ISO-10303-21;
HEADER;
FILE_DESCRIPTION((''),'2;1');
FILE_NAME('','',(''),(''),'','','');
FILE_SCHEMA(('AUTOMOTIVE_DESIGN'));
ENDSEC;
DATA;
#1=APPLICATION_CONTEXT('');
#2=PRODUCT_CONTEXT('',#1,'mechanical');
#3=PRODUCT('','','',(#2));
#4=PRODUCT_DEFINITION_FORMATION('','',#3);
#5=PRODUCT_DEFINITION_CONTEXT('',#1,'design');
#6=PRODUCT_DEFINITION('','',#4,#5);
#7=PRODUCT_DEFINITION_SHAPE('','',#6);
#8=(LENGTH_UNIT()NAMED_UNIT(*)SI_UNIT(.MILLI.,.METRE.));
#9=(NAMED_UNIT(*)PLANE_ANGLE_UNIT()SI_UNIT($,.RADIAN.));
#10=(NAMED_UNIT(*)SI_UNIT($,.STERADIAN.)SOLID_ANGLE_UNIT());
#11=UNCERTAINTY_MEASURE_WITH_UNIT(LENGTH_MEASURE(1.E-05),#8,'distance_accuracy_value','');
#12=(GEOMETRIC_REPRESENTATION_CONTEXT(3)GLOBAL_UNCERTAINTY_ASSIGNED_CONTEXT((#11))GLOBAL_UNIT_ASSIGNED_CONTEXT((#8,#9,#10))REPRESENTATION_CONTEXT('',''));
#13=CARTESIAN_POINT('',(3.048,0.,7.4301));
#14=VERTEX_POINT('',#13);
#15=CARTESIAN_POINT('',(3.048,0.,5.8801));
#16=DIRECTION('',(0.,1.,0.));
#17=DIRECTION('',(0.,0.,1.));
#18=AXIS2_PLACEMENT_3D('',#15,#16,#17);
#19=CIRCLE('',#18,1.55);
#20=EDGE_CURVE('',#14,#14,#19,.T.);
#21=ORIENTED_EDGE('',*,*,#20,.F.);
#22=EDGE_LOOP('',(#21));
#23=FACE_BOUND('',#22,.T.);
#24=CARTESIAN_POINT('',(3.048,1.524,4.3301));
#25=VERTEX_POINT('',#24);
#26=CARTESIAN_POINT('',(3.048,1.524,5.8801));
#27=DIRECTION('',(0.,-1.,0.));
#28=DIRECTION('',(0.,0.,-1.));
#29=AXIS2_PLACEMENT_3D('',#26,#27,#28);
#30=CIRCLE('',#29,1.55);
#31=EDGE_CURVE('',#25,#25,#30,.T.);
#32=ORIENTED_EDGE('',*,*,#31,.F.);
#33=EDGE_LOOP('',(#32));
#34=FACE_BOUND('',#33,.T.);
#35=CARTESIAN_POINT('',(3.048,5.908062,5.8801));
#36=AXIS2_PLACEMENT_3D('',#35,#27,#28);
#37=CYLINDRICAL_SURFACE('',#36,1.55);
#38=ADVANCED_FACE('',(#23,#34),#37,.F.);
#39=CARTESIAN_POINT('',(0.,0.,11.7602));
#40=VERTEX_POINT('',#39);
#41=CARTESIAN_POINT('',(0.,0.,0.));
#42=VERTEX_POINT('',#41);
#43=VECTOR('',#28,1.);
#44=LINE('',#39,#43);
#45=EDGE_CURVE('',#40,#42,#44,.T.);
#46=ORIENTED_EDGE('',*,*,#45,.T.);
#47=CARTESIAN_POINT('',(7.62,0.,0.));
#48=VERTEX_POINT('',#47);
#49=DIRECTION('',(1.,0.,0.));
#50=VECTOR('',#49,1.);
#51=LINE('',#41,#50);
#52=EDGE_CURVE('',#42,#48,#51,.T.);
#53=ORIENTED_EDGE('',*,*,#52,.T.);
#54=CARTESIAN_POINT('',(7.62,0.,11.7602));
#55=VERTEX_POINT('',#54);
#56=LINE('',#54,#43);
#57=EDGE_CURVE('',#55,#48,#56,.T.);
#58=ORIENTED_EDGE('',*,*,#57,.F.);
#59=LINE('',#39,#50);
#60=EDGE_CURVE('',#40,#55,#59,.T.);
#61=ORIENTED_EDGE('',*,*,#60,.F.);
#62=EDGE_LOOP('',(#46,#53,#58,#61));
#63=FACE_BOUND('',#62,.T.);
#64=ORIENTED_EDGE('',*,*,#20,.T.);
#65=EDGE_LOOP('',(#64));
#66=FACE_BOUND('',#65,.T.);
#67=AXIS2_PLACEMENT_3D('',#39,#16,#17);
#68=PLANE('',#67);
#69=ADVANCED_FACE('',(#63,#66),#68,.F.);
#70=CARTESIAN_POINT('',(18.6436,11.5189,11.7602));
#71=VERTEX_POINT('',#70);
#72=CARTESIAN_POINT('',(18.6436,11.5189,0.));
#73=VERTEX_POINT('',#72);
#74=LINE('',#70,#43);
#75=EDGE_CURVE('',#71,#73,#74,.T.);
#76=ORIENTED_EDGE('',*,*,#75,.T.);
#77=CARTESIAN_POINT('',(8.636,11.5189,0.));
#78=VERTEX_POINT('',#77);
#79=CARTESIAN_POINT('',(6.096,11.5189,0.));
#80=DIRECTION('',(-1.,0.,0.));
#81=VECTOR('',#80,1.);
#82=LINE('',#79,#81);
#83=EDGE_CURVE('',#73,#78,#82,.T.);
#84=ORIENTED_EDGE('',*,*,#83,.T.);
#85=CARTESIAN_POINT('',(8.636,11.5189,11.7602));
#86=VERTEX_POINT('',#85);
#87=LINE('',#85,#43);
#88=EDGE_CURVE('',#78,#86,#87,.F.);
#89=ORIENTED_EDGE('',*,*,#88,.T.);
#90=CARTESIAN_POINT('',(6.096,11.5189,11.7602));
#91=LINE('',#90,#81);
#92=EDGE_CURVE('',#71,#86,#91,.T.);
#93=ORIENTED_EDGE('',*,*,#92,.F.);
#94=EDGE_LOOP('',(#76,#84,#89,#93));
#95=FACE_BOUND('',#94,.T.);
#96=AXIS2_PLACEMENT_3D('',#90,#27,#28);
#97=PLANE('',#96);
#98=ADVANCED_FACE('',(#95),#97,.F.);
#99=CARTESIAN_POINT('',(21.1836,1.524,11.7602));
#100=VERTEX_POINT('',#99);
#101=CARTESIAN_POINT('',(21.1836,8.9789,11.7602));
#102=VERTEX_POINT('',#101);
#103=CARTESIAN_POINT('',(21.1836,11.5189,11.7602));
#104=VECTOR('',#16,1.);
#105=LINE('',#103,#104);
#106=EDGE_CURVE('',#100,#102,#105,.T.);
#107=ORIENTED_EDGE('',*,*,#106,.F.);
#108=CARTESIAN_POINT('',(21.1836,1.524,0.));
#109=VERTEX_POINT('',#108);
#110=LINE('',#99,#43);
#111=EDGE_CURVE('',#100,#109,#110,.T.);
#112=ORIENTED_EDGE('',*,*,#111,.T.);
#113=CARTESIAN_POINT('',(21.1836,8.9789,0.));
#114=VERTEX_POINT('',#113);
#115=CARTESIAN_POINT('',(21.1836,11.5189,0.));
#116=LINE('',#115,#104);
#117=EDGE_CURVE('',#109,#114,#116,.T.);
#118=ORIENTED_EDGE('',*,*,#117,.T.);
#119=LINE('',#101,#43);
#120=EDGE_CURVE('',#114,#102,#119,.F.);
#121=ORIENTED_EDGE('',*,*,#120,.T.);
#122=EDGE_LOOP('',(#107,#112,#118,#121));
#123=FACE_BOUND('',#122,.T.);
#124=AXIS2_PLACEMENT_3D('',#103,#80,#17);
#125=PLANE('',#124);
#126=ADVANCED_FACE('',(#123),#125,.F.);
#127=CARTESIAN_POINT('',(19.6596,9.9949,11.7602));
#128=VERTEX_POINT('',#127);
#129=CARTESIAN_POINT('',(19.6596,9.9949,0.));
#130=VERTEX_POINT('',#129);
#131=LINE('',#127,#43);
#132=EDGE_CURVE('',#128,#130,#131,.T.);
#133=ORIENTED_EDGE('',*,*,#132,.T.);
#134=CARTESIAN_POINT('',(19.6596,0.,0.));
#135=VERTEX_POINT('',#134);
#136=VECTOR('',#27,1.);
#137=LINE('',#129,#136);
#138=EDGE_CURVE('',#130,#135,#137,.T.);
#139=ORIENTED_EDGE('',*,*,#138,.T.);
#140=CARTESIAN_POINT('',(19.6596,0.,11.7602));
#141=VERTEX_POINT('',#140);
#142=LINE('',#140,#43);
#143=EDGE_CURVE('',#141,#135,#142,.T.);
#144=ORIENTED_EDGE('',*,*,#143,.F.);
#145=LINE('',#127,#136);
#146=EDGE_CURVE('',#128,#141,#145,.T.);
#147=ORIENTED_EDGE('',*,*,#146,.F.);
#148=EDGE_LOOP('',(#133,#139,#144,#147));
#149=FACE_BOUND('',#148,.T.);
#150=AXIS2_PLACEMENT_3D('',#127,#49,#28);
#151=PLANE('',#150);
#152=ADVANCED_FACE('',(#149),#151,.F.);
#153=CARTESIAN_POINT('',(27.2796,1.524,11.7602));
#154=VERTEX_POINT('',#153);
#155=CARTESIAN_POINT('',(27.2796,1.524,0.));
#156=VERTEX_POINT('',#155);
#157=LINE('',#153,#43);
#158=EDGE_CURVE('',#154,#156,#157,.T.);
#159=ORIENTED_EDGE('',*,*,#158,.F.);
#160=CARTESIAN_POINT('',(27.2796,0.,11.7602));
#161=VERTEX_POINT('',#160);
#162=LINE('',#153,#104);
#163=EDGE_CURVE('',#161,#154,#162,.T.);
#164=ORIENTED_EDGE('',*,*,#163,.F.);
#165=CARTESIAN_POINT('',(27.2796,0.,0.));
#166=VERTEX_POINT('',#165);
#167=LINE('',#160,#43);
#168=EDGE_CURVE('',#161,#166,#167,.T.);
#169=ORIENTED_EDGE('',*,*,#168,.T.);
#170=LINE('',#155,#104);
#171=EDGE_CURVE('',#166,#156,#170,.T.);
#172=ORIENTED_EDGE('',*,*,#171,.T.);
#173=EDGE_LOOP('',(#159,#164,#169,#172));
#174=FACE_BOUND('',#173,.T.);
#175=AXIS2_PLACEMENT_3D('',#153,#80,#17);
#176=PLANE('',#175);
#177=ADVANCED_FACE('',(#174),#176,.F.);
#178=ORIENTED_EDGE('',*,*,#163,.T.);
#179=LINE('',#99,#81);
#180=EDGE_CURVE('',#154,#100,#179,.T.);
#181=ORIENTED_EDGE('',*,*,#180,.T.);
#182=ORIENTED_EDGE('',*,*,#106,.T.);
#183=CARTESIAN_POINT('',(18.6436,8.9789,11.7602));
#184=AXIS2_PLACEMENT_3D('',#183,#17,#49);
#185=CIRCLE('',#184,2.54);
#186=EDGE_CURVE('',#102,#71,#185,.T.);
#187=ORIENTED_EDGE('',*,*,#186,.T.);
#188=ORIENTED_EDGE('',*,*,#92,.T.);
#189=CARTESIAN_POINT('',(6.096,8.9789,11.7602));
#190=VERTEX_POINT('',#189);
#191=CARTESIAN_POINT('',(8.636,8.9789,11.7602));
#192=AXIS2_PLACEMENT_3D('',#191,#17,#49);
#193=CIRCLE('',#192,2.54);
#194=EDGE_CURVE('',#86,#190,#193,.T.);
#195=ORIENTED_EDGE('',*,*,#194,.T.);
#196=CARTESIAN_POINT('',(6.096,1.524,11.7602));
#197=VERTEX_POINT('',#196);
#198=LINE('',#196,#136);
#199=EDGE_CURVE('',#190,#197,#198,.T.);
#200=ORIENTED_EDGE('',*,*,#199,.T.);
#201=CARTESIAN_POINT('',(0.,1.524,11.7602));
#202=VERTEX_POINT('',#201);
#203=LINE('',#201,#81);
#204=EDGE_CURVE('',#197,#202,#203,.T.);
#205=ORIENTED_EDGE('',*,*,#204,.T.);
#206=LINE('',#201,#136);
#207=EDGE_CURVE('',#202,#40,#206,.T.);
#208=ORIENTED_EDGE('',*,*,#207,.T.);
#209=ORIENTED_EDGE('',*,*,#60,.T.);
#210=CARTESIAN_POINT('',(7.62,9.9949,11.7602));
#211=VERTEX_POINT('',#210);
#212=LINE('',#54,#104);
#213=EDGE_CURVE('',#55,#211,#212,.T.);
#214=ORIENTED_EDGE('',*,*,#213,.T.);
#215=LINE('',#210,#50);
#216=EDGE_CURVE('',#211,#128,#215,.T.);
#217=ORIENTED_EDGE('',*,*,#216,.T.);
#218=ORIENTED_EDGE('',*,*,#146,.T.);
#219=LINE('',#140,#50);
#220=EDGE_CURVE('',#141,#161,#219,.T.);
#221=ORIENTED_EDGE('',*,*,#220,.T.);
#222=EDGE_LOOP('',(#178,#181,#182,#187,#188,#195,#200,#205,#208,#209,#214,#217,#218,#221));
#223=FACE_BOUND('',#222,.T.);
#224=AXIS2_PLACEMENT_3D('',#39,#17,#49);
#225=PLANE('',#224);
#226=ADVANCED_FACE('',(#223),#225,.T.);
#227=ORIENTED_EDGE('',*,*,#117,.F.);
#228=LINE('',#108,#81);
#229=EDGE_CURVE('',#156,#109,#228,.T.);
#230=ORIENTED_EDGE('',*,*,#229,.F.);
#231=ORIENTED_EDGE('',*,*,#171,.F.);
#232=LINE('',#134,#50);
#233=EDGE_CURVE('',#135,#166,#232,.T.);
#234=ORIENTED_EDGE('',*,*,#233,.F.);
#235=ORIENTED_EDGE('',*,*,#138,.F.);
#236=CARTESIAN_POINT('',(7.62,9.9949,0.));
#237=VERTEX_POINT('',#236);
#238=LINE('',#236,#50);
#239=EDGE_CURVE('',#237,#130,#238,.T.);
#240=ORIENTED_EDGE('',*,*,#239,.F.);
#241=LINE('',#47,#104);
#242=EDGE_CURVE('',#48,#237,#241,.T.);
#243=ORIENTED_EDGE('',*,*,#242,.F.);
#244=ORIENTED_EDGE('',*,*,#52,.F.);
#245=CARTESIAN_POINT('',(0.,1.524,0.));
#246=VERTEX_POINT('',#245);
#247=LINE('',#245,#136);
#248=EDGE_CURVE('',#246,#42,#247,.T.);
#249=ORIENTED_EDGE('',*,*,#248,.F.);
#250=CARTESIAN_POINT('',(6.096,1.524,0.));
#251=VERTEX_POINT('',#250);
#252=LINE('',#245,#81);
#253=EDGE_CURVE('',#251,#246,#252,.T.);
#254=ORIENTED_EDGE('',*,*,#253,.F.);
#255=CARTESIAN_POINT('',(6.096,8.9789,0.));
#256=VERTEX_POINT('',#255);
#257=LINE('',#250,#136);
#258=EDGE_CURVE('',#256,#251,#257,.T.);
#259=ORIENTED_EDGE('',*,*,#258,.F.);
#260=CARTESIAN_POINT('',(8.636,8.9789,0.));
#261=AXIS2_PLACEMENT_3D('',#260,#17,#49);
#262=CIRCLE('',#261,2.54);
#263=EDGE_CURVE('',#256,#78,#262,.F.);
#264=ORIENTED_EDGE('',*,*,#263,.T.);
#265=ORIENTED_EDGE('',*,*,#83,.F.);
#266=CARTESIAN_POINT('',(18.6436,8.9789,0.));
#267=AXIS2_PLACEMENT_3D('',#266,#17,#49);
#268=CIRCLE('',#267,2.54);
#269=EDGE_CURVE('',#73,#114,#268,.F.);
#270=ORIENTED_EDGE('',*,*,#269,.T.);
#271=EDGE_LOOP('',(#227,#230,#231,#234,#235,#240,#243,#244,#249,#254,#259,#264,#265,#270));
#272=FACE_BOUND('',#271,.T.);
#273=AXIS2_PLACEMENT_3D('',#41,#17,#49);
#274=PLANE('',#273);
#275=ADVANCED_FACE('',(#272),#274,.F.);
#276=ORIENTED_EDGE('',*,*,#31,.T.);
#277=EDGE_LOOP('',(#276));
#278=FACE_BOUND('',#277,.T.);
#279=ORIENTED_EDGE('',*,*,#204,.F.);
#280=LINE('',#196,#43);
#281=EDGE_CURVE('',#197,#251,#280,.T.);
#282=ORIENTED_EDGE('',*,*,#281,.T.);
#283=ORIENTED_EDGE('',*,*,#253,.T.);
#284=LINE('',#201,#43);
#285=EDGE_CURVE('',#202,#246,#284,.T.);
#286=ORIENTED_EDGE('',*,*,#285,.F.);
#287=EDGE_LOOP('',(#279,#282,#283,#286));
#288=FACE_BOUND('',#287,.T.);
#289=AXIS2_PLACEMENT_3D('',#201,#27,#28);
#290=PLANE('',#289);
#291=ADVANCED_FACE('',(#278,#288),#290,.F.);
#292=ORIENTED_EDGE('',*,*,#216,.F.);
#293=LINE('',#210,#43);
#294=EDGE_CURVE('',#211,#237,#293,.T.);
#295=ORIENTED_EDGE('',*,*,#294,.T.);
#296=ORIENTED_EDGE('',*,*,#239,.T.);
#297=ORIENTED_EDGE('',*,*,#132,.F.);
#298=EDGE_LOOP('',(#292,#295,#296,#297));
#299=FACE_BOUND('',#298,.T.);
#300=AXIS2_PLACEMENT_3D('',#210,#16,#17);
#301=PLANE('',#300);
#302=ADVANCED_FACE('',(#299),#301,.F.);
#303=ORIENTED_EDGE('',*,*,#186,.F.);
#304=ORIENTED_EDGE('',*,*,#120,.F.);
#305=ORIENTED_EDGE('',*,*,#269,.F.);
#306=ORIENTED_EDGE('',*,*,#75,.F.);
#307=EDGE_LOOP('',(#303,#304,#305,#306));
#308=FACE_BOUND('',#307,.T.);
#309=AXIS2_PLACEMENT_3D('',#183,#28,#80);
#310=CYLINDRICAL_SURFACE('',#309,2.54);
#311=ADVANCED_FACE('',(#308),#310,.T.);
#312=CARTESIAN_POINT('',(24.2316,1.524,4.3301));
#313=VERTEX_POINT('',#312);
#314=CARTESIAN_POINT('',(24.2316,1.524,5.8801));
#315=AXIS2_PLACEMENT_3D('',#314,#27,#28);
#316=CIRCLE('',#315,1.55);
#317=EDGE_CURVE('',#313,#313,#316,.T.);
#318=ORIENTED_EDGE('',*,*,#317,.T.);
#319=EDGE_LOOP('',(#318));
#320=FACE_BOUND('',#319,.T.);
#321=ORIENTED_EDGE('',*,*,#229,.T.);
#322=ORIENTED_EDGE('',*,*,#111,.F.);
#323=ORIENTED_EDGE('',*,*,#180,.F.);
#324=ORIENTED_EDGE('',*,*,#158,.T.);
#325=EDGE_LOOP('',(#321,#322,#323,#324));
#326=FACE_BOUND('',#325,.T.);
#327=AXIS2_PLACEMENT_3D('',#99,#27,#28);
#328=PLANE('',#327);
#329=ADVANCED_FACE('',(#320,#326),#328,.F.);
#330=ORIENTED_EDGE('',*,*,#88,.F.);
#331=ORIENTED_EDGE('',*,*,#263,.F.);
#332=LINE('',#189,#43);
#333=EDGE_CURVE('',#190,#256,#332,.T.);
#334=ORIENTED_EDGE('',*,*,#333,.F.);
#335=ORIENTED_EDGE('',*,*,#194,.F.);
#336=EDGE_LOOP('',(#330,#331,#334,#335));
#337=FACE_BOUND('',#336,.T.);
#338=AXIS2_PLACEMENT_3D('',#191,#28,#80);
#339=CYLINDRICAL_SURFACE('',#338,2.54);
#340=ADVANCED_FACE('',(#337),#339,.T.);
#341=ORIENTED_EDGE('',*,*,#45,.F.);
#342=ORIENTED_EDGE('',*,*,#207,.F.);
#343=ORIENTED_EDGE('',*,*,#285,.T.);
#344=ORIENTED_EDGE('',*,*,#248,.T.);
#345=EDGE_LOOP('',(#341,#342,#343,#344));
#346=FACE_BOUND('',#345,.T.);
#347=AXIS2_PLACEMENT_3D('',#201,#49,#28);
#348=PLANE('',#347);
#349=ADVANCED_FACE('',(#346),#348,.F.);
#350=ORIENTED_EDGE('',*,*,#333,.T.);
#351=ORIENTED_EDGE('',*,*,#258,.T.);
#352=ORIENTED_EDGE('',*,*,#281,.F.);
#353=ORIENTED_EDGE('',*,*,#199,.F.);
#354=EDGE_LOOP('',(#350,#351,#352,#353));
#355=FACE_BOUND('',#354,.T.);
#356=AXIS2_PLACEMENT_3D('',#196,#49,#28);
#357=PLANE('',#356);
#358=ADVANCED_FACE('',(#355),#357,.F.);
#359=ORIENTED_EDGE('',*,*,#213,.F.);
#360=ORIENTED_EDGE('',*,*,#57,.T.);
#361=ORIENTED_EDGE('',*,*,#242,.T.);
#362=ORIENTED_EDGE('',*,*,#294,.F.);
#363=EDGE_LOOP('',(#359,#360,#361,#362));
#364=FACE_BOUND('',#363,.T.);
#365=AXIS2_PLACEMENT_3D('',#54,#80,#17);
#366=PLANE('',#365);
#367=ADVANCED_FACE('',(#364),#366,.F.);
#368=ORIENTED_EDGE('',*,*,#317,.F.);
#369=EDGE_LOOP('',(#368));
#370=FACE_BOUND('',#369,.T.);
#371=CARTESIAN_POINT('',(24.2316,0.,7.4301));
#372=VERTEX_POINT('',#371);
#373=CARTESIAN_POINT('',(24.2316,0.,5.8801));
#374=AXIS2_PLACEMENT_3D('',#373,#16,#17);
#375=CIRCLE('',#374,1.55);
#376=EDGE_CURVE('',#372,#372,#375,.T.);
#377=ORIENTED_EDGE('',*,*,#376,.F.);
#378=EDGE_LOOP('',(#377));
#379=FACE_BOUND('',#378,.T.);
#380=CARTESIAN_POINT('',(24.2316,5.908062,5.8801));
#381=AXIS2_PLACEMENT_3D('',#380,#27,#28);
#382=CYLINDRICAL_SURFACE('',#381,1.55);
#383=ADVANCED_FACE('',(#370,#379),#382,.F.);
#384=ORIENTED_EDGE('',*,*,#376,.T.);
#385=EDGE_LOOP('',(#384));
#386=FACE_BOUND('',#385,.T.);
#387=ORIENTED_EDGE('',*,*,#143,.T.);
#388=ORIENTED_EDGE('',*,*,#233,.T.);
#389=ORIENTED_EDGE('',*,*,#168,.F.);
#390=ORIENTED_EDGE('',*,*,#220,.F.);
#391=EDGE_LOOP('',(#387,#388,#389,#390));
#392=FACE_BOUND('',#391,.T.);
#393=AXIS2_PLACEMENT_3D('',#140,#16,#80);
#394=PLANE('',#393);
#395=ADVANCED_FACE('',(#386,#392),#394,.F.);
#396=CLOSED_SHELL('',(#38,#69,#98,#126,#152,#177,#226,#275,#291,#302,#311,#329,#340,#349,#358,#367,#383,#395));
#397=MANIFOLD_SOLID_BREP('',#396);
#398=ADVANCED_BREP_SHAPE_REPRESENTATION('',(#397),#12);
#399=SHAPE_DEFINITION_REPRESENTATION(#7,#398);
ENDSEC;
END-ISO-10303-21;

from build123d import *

# Parameters (mm, degrees)
BOSS_EXTRUDE1_DEPTH = 11.7602
FILLET2_R           = 2.54
FILLET3_R           = 2.54
SKETCH3_R           = 1.55
CUT_EXTRUDE1_DEPTH  = 1.524


with BuildPart() as part:
    # Sketch2 → Boss-Extrude1 (new body)
    with BuildSketch(Plane.XY):
        Polygon((0, 0), (7.62, 0), (7.62, 9.9949), (19.6596, 9.9949), (19.6596, 0), (27.2796, 0), (27.2796, 1.524), (21.1836, 1.524), (21.1836, 11.5189), (6.096, 11.5189), (6.096, 1.524), (0, 1.524), align=None)
    extrude(amount=BOSS_EXTRUDE1_DEPTH)

    # Fillet2
    fillet2_edges = [part.edges().sort_by_distance(p)[0] for p in [
        (21.1836, 11.5189, 5.8801),
    ]]
    fillet(fillet2_edges, radius=FILLET2_R)

    # Fillet3
    fillet3_edges = [part.edges().sort_by_distance(p)[0] for p in [
        (6.096, 11.5189, 5.8801),
    ]]
    fillet(fillet3_edges, radius=FILLET3_R)

    # Sketch3 → Cut-Extrude1 (cut)
    with BuildSketch(Plane(origin=(0, 0, 0), x_dir=(1, 0, 0), z_dir=(0, 1, 0))):
        with Locations((3.048, -5.8801)):
            Circle(SKETCH3_R)
        with Locations((24.2316, -5.8801)):
            Circle(SKETCH3_R)
    extrude(amount=CUT_EXTRUDE1_DEPTH, mode=Mode.SUBTRACT)


solid = part.part
